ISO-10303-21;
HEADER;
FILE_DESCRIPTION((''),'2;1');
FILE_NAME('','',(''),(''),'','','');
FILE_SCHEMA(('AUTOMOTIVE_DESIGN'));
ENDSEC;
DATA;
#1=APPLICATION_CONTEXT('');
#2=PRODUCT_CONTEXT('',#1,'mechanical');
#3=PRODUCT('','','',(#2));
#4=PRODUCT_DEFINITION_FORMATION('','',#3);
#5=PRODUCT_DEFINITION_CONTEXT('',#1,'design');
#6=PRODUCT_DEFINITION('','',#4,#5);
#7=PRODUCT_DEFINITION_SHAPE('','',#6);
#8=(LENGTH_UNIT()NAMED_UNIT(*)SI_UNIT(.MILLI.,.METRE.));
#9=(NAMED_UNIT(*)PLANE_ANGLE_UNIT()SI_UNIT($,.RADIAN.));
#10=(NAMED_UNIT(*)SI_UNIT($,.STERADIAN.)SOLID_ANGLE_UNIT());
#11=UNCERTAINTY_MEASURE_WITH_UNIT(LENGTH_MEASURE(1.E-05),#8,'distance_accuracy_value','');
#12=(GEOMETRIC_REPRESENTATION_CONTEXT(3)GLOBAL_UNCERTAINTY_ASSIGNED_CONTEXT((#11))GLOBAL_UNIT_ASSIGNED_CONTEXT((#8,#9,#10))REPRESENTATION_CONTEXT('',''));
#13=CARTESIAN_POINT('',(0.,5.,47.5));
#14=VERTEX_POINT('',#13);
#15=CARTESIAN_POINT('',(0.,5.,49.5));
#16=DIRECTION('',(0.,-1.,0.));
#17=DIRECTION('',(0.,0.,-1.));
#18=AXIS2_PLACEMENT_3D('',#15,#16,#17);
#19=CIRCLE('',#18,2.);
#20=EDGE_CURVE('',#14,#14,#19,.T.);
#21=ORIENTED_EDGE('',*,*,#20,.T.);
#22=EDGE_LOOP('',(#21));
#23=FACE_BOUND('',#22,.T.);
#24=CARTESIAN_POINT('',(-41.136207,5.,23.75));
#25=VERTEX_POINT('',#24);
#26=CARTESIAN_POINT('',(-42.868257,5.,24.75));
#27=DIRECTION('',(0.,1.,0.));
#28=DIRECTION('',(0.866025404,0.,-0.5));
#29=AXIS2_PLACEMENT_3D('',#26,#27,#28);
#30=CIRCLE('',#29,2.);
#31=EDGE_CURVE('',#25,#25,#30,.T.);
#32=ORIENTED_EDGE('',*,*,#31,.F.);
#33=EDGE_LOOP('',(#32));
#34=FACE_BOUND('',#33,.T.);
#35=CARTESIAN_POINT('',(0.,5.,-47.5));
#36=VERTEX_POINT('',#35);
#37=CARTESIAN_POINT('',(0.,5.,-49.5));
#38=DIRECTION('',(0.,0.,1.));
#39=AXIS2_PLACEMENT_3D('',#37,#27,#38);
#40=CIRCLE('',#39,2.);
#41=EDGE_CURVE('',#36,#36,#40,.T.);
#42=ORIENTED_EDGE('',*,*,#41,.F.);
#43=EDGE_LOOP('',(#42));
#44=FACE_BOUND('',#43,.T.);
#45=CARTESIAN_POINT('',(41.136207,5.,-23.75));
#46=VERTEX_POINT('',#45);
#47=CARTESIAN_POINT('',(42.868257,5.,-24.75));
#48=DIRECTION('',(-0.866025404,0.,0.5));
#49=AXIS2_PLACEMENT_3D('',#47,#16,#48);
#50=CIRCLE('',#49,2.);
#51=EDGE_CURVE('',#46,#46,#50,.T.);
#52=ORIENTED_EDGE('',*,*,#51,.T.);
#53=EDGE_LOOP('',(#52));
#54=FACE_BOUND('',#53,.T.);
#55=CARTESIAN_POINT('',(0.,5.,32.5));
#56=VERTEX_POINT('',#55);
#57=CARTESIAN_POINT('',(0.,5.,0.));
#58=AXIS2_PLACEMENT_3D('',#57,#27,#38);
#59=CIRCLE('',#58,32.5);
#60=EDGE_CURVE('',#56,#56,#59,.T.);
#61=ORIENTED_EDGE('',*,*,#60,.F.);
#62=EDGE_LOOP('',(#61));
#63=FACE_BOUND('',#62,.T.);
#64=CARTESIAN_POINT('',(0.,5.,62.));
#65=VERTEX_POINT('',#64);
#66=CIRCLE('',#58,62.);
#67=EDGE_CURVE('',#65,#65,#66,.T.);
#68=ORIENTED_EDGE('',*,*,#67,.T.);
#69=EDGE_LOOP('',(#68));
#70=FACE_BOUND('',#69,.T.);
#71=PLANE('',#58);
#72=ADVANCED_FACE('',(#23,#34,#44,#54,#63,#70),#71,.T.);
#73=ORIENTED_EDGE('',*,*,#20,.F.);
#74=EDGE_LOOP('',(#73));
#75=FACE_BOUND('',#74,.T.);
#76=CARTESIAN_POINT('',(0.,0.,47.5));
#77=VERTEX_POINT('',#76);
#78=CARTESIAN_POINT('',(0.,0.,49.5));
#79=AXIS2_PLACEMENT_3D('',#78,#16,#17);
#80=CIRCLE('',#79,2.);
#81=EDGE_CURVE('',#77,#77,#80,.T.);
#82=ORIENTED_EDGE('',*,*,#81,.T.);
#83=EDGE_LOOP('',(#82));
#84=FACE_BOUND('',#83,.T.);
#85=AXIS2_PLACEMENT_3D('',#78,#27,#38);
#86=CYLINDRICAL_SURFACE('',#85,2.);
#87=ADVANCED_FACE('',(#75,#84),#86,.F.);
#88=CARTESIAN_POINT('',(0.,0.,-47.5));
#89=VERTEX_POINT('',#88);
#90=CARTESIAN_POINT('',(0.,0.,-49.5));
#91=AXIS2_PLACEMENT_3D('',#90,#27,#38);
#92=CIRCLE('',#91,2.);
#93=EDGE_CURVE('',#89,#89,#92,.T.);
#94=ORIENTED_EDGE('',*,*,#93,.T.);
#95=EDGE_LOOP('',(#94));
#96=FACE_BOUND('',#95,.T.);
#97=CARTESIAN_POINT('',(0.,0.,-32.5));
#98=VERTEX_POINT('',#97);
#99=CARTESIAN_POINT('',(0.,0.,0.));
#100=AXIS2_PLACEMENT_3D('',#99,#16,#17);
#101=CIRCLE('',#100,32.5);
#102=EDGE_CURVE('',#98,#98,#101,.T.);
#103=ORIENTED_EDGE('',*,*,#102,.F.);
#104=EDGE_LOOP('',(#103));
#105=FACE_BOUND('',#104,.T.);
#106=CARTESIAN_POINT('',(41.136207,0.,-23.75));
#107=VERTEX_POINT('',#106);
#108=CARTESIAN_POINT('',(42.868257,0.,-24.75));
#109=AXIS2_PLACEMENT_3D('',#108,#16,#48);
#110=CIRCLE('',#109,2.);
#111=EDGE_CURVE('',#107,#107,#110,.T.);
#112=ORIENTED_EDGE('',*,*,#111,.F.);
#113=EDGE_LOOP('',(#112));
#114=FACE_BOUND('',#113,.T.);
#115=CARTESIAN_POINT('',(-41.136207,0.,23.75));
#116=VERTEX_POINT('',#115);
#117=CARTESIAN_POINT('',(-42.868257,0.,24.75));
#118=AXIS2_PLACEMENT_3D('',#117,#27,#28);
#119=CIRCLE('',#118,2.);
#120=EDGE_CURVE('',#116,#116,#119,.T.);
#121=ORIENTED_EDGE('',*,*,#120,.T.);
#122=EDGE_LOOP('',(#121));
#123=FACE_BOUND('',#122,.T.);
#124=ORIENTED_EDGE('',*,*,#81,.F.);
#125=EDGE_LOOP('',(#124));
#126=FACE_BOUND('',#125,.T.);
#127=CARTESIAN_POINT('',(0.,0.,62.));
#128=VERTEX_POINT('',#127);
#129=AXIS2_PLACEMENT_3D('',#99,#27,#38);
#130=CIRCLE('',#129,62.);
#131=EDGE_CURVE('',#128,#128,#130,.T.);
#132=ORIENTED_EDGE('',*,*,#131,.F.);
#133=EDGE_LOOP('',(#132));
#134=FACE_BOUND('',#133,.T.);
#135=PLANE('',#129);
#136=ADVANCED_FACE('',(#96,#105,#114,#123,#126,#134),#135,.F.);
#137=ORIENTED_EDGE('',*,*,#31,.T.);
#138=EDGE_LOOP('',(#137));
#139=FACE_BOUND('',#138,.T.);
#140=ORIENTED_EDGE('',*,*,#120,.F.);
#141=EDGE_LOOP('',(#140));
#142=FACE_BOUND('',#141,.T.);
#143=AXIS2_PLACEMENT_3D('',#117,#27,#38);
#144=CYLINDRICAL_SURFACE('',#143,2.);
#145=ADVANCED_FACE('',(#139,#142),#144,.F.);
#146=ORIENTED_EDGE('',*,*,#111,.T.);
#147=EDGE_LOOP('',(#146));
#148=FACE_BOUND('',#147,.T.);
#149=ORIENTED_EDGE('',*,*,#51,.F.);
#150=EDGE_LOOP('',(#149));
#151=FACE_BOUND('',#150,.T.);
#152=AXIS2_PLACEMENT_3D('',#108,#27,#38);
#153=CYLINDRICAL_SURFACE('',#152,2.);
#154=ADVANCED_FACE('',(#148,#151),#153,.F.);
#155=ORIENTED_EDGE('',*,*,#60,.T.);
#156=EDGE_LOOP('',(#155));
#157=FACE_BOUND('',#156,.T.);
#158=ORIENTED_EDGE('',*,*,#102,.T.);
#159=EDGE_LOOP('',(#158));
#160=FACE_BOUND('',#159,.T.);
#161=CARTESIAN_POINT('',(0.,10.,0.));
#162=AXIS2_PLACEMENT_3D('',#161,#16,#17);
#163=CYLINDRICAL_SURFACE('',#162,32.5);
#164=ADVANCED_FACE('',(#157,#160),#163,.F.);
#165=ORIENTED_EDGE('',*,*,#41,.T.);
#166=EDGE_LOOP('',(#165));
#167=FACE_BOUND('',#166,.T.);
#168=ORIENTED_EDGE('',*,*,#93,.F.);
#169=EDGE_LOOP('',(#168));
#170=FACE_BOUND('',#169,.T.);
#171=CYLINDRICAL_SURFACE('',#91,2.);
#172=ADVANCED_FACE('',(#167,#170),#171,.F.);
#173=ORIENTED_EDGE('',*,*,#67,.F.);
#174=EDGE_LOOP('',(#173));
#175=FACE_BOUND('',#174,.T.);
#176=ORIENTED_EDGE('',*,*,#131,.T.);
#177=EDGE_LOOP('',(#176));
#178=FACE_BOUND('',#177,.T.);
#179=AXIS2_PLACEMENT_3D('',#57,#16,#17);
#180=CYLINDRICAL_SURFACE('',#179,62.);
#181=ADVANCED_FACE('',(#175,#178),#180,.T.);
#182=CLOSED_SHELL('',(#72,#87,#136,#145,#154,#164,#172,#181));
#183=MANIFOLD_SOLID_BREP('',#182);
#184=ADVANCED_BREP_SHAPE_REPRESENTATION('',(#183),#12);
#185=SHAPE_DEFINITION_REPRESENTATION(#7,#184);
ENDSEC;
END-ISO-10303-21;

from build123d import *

# Parameters (mm, degrees)
SKETCH1_R               = 62
BOSS_EXTRUDE1_DEPTH     = 5
SKETCH2_R               = 2
CUT_EXTRUDE1_DEPTH      = 5
CIRPATTERN1_COUNT       = 2
CIRPATTERN1_ANGLE       = 120
MIRROR1_COPY_1_SKETCH_R = 2
MIRROR1_COPY_1_DEPTH    = 5
SKETCH5_R               = 32.5
CUT_EXTRUDE2_DEPTH      = 10


with BuildPart() as part:
    # Sketch1 → Boss-Extrude1 (new body)
    with BuildSketch(Plane(origin=(0, 0, 0), x_dir=(1, 0, 0), z_dir=(0, 1, 0))):
        with Locations(Location((0, 0, 0), (0, 0, 270))):
            Circle(SKETCH1_R)
    extrude(amount=BOSS_EXTRUDE1_DEPTH)

    # Sketch2 → Cut-Extrude1 (cut)
    with BuildSketch(Plane(origin=(0, 5, 0), x_dir=(1, 0, 0), z_dir=(0, 1, 0))):
        with Locations(Location((0, 49.5, 0), (0, 0, 270))):
            Circle(SKETCH2_R)
    cut_extrude1 = extrude(amount=-CUT_EXTRUDE1_DEPTH, mode=Mode.SUBTRACT)

    # CirPattern1: Cut-Extrude1 ×2 about axis
    cirpattern1_axis = Axis((0, 5, 0), (0, 1, 0))
    for i in range(1, CIRPATTERN1_COUNT):
        add(cut_extrude1.rotate(cirpattern1_axis, i * CIRPATTERN1_ANGLE / (CIRPATTERN1_COUNT - 1)), mode=Mode.SUBTRACT)

    # Mirror1: Cut-Extrude1 across plane
    add(cut_extrude1.mirror(Plane(origin=(0, 0, 0), x_dir=(-0.49999999999999806, 0, 0.8660254037844398), z_dir=(-0.8660254037844398, 0, -0.49999999999999806))), mode=Mode.SUBTRACT)

    # Mirror1 copy 1 sketch → Mirror1 copy 1 (cut)
    with BuildSketch(Plane(origin=(0, 5, 0), x_dir=(1, 0, 0), z_dir=(0, 1, 0))):
        with Locations((0, -49.5)):
            Circle(MIRROR1_COPY_1_SKETCH_R)
    extrude(amount=-MIRROR1_COPY_1_DEPTH, mode=Mode.SUBTRACT)

    # Sketch5 → Cut-Extrude2 (cut)
    with BuildSketch(Plane.XZ):
        with Locations(Location((0, 0, 0), (0, 0, 270))):
            Circle(SKETCH5_R)
    extrude(amount=-CUT_EXTRUDE2_DEPTH, mode=Mode.SUBTRACT)


solid = part.part
